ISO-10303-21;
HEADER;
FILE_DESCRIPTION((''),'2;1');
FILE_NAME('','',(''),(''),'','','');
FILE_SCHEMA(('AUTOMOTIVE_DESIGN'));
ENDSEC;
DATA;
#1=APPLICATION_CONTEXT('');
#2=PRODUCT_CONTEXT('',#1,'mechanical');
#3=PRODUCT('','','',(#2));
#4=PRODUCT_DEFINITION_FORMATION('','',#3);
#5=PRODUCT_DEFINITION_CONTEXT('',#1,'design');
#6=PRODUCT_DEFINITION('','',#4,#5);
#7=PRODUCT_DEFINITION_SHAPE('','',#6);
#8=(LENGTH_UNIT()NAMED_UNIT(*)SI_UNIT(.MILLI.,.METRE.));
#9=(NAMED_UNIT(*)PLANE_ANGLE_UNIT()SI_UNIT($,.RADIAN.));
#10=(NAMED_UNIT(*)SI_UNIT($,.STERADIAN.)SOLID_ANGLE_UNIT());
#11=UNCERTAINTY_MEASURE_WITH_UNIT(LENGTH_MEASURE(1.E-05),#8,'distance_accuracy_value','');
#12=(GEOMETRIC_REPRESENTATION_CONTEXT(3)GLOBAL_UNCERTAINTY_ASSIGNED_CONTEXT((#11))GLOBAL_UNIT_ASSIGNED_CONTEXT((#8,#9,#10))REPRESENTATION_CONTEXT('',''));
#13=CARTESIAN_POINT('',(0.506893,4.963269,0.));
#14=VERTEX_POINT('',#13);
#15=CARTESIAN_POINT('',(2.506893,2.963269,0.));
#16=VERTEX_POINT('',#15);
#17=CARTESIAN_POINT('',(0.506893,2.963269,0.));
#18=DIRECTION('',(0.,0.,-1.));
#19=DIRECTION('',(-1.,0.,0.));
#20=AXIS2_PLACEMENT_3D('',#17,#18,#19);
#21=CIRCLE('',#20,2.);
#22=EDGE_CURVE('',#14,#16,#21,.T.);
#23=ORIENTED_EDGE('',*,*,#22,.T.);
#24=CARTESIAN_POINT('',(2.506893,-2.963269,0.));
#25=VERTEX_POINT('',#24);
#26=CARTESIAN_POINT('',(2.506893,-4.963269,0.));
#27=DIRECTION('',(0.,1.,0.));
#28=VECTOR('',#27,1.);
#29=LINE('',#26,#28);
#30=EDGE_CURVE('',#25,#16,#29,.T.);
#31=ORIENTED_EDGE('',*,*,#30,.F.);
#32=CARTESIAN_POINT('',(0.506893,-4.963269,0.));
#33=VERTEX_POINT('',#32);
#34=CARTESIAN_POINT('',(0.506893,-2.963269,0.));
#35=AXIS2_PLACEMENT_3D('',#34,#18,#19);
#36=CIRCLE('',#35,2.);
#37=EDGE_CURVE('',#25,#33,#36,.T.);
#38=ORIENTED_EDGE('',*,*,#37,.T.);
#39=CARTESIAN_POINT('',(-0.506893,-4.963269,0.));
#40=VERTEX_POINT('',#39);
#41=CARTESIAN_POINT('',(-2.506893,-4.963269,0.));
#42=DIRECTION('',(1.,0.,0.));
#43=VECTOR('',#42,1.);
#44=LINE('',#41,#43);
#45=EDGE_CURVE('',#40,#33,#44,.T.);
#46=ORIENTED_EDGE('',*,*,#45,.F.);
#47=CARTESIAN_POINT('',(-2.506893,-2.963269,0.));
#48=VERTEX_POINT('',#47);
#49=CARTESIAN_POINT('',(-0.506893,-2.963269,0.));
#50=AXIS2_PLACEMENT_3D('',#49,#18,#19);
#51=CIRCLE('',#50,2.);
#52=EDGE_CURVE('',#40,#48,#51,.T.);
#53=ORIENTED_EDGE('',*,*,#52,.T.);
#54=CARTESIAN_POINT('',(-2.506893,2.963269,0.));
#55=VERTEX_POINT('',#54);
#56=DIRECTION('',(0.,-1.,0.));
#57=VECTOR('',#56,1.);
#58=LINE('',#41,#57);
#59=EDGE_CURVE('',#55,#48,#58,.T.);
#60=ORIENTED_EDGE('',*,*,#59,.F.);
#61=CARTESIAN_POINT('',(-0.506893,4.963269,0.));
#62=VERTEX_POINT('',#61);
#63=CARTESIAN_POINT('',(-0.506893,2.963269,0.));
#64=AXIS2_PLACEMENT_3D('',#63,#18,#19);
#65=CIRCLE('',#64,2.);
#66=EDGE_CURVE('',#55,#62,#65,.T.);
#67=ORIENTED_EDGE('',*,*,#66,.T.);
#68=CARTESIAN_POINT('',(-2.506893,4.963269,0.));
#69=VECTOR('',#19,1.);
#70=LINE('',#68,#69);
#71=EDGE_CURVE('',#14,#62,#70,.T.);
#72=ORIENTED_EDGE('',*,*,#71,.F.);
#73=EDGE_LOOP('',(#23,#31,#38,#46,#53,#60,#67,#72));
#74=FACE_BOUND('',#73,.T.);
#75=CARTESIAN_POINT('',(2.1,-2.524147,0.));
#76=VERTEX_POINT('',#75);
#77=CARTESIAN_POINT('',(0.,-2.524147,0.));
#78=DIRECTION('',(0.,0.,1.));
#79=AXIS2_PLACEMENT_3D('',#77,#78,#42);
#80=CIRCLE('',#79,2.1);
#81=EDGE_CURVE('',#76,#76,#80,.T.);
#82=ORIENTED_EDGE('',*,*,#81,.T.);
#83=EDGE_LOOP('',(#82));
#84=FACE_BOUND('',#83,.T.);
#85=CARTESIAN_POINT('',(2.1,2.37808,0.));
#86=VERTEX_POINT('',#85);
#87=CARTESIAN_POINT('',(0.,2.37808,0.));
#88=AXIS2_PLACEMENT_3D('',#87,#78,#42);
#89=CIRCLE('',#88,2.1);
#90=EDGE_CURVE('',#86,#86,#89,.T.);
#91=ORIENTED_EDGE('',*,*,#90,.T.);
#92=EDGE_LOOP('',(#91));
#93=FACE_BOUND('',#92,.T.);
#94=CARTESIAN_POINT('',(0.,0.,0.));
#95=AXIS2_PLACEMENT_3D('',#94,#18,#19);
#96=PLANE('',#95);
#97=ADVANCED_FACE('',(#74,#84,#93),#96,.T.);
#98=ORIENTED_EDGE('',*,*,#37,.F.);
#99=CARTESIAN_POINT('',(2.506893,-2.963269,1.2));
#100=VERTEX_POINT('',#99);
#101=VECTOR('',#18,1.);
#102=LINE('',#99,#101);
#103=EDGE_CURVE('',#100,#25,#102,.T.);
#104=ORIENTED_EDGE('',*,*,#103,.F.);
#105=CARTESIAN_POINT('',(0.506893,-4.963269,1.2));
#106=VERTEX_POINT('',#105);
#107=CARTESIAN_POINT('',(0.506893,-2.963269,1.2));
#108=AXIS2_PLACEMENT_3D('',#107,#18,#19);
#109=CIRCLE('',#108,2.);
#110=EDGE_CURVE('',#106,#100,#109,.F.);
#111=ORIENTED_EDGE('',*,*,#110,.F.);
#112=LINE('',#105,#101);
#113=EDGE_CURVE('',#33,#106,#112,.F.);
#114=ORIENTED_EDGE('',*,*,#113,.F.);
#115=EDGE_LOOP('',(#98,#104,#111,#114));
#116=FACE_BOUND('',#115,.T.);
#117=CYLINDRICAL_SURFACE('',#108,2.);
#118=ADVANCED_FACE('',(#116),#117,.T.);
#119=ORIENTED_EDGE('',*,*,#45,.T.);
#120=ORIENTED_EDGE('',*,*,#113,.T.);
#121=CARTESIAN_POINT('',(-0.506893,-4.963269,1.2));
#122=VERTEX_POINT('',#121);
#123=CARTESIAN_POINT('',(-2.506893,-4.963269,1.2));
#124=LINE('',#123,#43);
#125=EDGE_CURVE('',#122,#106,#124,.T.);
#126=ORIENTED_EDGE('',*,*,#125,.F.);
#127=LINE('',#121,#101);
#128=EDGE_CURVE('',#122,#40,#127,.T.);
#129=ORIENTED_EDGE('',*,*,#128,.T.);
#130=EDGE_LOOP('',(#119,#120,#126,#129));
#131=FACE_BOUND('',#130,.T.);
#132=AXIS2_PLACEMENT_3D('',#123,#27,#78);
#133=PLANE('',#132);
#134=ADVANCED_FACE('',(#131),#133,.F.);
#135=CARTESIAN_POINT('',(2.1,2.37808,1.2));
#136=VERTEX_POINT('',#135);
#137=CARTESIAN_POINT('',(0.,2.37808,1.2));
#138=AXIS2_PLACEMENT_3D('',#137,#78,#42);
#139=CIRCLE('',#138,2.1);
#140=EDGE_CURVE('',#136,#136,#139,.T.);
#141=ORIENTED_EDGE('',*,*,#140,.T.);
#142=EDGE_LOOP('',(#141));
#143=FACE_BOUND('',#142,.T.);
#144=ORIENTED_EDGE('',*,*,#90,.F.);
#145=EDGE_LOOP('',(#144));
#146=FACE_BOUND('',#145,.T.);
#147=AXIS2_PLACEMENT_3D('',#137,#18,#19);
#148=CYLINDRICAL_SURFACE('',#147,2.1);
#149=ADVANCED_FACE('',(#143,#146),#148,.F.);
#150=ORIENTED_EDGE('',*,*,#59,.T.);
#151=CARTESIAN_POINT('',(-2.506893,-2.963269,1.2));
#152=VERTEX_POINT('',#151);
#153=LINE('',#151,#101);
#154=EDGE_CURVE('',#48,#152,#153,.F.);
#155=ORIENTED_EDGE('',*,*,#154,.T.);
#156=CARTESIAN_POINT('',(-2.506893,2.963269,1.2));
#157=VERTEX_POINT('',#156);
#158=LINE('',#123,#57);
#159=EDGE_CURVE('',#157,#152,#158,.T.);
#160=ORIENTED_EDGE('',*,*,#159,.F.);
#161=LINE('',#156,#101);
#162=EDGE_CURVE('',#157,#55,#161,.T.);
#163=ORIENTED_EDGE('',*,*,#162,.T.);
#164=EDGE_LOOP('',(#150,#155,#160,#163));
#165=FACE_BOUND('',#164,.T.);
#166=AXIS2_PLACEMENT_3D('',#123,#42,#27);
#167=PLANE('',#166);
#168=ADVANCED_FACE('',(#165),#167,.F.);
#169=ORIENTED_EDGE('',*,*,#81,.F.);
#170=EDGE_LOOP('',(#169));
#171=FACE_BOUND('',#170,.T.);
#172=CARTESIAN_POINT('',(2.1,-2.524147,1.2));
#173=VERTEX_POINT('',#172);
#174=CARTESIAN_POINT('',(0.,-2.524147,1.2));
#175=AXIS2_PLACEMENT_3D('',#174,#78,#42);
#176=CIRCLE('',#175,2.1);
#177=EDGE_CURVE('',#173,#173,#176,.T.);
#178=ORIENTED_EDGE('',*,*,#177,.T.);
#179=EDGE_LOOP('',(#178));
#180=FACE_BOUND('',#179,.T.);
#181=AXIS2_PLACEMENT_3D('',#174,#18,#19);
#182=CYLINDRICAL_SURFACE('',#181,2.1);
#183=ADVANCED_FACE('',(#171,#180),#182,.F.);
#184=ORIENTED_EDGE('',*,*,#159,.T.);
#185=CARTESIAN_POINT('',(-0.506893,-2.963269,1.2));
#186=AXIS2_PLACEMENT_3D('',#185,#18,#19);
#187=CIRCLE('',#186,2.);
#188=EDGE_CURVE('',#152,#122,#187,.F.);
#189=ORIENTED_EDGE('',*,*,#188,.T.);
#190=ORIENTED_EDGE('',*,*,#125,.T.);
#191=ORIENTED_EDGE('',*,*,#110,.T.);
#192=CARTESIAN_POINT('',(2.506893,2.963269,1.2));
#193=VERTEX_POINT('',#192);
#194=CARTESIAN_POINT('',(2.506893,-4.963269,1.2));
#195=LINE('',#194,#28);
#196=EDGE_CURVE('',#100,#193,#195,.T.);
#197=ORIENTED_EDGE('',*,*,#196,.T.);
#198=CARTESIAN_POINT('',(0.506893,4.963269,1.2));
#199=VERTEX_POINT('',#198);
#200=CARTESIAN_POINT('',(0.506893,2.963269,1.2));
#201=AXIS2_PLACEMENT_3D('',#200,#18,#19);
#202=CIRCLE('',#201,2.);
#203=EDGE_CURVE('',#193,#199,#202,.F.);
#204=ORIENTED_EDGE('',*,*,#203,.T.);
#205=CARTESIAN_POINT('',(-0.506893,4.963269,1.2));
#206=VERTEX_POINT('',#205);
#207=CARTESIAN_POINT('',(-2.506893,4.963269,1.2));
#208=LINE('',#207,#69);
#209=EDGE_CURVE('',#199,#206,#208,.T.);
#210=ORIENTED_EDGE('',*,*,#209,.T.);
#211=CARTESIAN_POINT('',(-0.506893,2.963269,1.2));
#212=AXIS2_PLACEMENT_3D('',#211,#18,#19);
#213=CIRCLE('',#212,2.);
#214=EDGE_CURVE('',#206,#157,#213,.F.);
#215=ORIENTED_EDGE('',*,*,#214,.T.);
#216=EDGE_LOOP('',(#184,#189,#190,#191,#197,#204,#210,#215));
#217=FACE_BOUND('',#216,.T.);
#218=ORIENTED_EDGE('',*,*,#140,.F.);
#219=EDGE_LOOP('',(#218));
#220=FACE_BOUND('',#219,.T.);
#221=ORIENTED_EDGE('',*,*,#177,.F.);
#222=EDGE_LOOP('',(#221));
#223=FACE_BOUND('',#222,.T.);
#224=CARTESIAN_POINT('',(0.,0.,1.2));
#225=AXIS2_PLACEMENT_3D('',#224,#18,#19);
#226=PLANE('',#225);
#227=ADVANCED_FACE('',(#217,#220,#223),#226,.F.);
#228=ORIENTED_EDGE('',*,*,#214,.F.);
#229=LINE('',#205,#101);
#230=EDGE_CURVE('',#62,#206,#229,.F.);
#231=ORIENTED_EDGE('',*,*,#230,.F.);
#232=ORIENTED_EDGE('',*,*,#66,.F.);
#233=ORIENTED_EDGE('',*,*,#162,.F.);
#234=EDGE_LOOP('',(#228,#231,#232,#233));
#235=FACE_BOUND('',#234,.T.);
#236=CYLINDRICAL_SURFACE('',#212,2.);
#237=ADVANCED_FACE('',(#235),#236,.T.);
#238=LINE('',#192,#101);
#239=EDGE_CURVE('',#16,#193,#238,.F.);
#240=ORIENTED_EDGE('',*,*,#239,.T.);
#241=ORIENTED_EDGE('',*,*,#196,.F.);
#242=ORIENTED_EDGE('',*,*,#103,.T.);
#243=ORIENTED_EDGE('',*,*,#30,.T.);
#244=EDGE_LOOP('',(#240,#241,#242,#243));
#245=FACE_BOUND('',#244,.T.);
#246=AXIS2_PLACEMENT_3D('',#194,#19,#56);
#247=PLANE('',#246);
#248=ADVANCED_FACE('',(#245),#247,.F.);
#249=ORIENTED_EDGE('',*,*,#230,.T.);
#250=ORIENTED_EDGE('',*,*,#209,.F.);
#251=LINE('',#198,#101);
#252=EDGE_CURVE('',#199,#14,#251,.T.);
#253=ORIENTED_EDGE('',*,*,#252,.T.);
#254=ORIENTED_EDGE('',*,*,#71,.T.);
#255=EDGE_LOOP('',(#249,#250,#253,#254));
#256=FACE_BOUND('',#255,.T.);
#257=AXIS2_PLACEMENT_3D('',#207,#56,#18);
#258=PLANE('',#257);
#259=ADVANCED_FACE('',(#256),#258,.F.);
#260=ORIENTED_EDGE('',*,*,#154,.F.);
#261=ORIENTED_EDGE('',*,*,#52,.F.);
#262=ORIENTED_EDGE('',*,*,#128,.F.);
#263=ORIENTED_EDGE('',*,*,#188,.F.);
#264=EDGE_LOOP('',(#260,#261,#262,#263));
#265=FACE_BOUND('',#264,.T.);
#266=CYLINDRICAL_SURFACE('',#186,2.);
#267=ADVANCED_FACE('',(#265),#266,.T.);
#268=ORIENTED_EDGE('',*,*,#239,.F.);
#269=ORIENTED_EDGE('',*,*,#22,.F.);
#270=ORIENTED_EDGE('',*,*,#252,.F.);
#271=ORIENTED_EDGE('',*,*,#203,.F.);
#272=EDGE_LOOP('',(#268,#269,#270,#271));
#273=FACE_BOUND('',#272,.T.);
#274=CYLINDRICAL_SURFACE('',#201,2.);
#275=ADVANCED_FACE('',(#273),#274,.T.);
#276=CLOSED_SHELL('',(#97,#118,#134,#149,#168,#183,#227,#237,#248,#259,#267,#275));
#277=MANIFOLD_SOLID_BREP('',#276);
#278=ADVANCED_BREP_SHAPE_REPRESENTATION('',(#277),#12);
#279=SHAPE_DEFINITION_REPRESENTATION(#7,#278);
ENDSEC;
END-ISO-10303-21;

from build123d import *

# Parameters (mm, degrees)
SKETCH1_W           = 5.013785632
SKETCH1_H           = 9.926537354
SKETCH1_R           = 2.1
BOSS_EXTRUDE2_DEPTH = 1.2
FILLET1_R           = 2


with BuildPart() as part:
    # Sketch1 → Boss-Extrude2 (new body)
    with BuildSketch(Plane.XY):
        Rectangle(SKETCH1_W, SKETCH1_H)
        with Locations((0, 2.378079684)):
            Circle(SKETCH1_R, mode=Mode.SUBTRACT)
        with Locations((0, -2.52414688)):
            Circle(SKETCH1_R, mode=Mode.SUBTRACT)
    extrude(amount=BOSS_EXTRUDE2_DEPTH)

    # Fillet1
    fillet1_edges = [part.edges().sort_by_distance(p)[0] for p in [
        (2.506892816, -4.963268677, 0.6),
        (-2.506892816, -4.963268677, 0.6),
        (-2.506892816, 4.963268677, 0.6),
        (2.506892816, 4.963268677, 0.6),
    ]]
    fillet(fillet1_edges, radius=FILLET1_R)


solid = part.part
